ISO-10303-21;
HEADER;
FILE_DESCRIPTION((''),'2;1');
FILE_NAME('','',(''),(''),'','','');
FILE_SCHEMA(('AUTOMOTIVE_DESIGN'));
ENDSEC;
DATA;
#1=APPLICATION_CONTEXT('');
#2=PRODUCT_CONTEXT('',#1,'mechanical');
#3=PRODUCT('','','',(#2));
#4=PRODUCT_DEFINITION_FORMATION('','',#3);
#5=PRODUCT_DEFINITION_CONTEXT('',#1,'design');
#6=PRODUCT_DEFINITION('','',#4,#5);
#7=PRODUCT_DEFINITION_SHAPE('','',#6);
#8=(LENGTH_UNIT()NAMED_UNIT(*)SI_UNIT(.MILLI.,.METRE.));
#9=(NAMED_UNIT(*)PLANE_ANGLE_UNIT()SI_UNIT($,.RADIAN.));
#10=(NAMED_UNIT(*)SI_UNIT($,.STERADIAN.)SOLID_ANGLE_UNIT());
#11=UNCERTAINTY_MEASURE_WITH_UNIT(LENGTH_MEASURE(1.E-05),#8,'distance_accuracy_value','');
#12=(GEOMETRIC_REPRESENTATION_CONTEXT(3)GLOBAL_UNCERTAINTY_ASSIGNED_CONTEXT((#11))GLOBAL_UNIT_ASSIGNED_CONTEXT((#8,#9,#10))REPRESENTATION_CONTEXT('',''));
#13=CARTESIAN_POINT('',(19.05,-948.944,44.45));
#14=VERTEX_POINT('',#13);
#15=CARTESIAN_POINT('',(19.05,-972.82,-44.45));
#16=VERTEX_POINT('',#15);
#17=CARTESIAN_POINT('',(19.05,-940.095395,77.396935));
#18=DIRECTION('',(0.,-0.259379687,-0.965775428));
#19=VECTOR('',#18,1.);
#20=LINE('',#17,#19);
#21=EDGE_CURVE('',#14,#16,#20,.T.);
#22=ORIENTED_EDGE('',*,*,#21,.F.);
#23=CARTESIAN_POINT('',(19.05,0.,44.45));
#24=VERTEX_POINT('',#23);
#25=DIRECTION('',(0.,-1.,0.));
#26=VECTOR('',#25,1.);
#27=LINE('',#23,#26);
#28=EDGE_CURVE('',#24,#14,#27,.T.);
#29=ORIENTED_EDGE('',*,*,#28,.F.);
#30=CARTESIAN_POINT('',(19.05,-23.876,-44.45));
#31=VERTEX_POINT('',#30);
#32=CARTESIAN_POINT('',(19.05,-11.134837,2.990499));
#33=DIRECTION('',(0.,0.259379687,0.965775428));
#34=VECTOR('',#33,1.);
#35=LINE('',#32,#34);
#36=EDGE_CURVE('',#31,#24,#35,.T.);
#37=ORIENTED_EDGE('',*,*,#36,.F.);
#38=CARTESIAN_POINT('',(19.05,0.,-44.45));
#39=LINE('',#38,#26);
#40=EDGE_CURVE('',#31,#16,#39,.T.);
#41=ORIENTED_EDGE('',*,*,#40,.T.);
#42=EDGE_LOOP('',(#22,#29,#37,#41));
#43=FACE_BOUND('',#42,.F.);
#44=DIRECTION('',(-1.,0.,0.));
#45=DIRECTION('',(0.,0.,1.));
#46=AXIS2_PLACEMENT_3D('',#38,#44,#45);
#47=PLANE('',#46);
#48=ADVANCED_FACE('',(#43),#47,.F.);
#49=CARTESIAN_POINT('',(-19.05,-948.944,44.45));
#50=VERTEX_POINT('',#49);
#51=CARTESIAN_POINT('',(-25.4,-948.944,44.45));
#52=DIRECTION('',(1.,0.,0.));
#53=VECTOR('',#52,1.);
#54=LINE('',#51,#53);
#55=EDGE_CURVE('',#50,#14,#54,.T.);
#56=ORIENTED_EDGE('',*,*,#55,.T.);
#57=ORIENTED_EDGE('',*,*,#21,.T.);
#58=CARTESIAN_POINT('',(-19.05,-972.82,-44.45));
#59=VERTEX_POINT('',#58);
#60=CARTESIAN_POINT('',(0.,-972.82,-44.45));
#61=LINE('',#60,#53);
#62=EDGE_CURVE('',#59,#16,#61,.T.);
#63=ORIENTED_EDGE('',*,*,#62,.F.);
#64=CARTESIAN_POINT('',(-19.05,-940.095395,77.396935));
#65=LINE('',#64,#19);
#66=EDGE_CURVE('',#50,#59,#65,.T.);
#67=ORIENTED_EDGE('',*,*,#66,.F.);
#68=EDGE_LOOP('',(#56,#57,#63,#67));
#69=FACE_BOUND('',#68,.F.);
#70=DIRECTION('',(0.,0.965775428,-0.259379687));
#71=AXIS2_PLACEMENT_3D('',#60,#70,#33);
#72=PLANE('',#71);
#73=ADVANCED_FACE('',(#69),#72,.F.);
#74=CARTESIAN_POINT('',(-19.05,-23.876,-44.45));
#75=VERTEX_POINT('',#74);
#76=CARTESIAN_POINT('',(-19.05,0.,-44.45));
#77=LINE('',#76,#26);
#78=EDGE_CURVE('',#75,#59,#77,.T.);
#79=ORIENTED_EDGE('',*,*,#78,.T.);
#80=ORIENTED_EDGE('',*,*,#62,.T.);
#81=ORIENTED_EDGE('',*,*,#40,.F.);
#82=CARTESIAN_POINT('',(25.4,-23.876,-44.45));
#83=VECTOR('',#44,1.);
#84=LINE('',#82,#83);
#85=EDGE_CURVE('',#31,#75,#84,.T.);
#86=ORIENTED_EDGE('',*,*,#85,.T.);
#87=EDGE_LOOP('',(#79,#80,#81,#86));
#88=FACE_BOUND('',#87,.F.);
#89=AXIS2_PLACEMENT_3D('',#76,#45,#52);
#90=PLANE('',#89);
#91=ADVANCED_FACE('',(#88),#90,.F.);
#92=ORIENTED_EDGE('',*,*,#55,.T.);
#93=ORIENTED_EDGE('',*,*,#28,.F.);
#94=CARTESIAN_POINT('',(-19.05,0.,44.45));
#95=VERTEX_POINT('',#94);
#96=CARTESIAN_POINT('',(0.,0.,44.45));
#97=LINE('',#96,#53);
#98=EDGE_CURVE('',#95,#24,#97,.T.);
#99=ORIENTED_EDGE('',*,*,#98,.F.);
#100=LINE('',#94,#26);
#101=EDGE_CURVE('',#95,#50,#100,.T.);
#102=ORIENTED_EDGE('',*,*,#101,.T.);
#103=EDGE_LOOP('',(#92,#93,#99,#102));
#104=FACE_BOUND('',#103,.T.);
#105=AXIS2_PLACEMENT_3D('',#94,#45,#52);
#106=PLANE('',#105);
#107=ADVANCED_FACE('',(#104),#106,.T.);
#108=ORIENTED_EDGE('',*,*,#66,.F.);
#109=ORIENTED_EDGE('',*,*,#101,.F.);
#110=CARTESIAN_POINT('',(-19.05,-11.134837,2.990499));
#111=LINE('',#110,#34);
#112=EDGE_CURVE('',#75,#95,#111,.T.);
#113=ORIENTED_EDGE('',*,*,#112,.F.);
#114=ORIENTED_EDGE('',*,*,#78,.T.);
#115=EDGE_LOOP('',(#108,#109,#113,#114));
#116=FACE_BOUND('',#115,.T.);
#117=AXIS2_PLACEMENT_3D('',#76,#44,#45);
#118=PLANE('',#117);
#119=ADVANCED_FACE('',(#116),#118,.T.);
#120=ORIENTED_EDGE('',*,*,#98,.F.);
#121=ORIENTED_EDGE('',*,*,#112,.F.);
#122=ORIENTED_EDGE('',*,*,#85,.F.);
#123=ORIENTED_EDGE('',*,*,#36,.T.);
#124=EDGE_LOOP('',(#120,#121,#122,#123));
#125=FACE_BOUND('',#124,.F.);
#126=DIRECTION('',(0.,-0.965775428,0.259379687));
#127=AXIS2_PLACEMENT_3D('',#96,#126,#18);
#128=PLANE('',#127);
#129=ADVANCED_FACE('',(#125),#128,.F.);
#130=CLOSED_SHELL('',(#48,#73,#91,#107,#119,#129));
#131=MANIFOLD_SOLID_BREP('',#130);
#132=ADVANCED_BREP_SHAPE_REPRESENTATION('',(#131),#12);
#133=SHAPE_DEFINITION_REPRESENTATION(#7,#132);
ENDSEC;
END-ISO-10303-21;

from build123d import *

# Parameters (mm, degrees)
F0_W     = 38.1
F0_H     = 88.9
F1_DEPTH = 972.82
F3_DEPTH = 25.4
F5_DEPTH = 25.4


with BuildPart() as f1:
    # F0 (on Front) → F1 (new body)
    with BuildSketch(Plane.XZ):
        Rectangle(F0_W, F0_H)
    extrude(amount=F1_DEPTH)

    # F2 (on Right) → F3 (cut, symmetric)
    with BuildSketch(Plane.YZ):
        Polygon((-972.82, -44.45), (-948.944, 44.45), (-972.82, 44.45), align=None)
    extrude(amount=F3_DEPTH, both=True, mode=Mode.SUBTRACT)

    # F4 (on Right) → F5 (cut, symmetric)
    with BuildSketch(Plane.YZ):
        Polygon((0, -44.45), (0, 44.45), (-23.876, -44.45), align=None)
    extrude(amount=F5_DEPTH, both=True, mode=Mode.SUBTRACT)


solid = f1.part
